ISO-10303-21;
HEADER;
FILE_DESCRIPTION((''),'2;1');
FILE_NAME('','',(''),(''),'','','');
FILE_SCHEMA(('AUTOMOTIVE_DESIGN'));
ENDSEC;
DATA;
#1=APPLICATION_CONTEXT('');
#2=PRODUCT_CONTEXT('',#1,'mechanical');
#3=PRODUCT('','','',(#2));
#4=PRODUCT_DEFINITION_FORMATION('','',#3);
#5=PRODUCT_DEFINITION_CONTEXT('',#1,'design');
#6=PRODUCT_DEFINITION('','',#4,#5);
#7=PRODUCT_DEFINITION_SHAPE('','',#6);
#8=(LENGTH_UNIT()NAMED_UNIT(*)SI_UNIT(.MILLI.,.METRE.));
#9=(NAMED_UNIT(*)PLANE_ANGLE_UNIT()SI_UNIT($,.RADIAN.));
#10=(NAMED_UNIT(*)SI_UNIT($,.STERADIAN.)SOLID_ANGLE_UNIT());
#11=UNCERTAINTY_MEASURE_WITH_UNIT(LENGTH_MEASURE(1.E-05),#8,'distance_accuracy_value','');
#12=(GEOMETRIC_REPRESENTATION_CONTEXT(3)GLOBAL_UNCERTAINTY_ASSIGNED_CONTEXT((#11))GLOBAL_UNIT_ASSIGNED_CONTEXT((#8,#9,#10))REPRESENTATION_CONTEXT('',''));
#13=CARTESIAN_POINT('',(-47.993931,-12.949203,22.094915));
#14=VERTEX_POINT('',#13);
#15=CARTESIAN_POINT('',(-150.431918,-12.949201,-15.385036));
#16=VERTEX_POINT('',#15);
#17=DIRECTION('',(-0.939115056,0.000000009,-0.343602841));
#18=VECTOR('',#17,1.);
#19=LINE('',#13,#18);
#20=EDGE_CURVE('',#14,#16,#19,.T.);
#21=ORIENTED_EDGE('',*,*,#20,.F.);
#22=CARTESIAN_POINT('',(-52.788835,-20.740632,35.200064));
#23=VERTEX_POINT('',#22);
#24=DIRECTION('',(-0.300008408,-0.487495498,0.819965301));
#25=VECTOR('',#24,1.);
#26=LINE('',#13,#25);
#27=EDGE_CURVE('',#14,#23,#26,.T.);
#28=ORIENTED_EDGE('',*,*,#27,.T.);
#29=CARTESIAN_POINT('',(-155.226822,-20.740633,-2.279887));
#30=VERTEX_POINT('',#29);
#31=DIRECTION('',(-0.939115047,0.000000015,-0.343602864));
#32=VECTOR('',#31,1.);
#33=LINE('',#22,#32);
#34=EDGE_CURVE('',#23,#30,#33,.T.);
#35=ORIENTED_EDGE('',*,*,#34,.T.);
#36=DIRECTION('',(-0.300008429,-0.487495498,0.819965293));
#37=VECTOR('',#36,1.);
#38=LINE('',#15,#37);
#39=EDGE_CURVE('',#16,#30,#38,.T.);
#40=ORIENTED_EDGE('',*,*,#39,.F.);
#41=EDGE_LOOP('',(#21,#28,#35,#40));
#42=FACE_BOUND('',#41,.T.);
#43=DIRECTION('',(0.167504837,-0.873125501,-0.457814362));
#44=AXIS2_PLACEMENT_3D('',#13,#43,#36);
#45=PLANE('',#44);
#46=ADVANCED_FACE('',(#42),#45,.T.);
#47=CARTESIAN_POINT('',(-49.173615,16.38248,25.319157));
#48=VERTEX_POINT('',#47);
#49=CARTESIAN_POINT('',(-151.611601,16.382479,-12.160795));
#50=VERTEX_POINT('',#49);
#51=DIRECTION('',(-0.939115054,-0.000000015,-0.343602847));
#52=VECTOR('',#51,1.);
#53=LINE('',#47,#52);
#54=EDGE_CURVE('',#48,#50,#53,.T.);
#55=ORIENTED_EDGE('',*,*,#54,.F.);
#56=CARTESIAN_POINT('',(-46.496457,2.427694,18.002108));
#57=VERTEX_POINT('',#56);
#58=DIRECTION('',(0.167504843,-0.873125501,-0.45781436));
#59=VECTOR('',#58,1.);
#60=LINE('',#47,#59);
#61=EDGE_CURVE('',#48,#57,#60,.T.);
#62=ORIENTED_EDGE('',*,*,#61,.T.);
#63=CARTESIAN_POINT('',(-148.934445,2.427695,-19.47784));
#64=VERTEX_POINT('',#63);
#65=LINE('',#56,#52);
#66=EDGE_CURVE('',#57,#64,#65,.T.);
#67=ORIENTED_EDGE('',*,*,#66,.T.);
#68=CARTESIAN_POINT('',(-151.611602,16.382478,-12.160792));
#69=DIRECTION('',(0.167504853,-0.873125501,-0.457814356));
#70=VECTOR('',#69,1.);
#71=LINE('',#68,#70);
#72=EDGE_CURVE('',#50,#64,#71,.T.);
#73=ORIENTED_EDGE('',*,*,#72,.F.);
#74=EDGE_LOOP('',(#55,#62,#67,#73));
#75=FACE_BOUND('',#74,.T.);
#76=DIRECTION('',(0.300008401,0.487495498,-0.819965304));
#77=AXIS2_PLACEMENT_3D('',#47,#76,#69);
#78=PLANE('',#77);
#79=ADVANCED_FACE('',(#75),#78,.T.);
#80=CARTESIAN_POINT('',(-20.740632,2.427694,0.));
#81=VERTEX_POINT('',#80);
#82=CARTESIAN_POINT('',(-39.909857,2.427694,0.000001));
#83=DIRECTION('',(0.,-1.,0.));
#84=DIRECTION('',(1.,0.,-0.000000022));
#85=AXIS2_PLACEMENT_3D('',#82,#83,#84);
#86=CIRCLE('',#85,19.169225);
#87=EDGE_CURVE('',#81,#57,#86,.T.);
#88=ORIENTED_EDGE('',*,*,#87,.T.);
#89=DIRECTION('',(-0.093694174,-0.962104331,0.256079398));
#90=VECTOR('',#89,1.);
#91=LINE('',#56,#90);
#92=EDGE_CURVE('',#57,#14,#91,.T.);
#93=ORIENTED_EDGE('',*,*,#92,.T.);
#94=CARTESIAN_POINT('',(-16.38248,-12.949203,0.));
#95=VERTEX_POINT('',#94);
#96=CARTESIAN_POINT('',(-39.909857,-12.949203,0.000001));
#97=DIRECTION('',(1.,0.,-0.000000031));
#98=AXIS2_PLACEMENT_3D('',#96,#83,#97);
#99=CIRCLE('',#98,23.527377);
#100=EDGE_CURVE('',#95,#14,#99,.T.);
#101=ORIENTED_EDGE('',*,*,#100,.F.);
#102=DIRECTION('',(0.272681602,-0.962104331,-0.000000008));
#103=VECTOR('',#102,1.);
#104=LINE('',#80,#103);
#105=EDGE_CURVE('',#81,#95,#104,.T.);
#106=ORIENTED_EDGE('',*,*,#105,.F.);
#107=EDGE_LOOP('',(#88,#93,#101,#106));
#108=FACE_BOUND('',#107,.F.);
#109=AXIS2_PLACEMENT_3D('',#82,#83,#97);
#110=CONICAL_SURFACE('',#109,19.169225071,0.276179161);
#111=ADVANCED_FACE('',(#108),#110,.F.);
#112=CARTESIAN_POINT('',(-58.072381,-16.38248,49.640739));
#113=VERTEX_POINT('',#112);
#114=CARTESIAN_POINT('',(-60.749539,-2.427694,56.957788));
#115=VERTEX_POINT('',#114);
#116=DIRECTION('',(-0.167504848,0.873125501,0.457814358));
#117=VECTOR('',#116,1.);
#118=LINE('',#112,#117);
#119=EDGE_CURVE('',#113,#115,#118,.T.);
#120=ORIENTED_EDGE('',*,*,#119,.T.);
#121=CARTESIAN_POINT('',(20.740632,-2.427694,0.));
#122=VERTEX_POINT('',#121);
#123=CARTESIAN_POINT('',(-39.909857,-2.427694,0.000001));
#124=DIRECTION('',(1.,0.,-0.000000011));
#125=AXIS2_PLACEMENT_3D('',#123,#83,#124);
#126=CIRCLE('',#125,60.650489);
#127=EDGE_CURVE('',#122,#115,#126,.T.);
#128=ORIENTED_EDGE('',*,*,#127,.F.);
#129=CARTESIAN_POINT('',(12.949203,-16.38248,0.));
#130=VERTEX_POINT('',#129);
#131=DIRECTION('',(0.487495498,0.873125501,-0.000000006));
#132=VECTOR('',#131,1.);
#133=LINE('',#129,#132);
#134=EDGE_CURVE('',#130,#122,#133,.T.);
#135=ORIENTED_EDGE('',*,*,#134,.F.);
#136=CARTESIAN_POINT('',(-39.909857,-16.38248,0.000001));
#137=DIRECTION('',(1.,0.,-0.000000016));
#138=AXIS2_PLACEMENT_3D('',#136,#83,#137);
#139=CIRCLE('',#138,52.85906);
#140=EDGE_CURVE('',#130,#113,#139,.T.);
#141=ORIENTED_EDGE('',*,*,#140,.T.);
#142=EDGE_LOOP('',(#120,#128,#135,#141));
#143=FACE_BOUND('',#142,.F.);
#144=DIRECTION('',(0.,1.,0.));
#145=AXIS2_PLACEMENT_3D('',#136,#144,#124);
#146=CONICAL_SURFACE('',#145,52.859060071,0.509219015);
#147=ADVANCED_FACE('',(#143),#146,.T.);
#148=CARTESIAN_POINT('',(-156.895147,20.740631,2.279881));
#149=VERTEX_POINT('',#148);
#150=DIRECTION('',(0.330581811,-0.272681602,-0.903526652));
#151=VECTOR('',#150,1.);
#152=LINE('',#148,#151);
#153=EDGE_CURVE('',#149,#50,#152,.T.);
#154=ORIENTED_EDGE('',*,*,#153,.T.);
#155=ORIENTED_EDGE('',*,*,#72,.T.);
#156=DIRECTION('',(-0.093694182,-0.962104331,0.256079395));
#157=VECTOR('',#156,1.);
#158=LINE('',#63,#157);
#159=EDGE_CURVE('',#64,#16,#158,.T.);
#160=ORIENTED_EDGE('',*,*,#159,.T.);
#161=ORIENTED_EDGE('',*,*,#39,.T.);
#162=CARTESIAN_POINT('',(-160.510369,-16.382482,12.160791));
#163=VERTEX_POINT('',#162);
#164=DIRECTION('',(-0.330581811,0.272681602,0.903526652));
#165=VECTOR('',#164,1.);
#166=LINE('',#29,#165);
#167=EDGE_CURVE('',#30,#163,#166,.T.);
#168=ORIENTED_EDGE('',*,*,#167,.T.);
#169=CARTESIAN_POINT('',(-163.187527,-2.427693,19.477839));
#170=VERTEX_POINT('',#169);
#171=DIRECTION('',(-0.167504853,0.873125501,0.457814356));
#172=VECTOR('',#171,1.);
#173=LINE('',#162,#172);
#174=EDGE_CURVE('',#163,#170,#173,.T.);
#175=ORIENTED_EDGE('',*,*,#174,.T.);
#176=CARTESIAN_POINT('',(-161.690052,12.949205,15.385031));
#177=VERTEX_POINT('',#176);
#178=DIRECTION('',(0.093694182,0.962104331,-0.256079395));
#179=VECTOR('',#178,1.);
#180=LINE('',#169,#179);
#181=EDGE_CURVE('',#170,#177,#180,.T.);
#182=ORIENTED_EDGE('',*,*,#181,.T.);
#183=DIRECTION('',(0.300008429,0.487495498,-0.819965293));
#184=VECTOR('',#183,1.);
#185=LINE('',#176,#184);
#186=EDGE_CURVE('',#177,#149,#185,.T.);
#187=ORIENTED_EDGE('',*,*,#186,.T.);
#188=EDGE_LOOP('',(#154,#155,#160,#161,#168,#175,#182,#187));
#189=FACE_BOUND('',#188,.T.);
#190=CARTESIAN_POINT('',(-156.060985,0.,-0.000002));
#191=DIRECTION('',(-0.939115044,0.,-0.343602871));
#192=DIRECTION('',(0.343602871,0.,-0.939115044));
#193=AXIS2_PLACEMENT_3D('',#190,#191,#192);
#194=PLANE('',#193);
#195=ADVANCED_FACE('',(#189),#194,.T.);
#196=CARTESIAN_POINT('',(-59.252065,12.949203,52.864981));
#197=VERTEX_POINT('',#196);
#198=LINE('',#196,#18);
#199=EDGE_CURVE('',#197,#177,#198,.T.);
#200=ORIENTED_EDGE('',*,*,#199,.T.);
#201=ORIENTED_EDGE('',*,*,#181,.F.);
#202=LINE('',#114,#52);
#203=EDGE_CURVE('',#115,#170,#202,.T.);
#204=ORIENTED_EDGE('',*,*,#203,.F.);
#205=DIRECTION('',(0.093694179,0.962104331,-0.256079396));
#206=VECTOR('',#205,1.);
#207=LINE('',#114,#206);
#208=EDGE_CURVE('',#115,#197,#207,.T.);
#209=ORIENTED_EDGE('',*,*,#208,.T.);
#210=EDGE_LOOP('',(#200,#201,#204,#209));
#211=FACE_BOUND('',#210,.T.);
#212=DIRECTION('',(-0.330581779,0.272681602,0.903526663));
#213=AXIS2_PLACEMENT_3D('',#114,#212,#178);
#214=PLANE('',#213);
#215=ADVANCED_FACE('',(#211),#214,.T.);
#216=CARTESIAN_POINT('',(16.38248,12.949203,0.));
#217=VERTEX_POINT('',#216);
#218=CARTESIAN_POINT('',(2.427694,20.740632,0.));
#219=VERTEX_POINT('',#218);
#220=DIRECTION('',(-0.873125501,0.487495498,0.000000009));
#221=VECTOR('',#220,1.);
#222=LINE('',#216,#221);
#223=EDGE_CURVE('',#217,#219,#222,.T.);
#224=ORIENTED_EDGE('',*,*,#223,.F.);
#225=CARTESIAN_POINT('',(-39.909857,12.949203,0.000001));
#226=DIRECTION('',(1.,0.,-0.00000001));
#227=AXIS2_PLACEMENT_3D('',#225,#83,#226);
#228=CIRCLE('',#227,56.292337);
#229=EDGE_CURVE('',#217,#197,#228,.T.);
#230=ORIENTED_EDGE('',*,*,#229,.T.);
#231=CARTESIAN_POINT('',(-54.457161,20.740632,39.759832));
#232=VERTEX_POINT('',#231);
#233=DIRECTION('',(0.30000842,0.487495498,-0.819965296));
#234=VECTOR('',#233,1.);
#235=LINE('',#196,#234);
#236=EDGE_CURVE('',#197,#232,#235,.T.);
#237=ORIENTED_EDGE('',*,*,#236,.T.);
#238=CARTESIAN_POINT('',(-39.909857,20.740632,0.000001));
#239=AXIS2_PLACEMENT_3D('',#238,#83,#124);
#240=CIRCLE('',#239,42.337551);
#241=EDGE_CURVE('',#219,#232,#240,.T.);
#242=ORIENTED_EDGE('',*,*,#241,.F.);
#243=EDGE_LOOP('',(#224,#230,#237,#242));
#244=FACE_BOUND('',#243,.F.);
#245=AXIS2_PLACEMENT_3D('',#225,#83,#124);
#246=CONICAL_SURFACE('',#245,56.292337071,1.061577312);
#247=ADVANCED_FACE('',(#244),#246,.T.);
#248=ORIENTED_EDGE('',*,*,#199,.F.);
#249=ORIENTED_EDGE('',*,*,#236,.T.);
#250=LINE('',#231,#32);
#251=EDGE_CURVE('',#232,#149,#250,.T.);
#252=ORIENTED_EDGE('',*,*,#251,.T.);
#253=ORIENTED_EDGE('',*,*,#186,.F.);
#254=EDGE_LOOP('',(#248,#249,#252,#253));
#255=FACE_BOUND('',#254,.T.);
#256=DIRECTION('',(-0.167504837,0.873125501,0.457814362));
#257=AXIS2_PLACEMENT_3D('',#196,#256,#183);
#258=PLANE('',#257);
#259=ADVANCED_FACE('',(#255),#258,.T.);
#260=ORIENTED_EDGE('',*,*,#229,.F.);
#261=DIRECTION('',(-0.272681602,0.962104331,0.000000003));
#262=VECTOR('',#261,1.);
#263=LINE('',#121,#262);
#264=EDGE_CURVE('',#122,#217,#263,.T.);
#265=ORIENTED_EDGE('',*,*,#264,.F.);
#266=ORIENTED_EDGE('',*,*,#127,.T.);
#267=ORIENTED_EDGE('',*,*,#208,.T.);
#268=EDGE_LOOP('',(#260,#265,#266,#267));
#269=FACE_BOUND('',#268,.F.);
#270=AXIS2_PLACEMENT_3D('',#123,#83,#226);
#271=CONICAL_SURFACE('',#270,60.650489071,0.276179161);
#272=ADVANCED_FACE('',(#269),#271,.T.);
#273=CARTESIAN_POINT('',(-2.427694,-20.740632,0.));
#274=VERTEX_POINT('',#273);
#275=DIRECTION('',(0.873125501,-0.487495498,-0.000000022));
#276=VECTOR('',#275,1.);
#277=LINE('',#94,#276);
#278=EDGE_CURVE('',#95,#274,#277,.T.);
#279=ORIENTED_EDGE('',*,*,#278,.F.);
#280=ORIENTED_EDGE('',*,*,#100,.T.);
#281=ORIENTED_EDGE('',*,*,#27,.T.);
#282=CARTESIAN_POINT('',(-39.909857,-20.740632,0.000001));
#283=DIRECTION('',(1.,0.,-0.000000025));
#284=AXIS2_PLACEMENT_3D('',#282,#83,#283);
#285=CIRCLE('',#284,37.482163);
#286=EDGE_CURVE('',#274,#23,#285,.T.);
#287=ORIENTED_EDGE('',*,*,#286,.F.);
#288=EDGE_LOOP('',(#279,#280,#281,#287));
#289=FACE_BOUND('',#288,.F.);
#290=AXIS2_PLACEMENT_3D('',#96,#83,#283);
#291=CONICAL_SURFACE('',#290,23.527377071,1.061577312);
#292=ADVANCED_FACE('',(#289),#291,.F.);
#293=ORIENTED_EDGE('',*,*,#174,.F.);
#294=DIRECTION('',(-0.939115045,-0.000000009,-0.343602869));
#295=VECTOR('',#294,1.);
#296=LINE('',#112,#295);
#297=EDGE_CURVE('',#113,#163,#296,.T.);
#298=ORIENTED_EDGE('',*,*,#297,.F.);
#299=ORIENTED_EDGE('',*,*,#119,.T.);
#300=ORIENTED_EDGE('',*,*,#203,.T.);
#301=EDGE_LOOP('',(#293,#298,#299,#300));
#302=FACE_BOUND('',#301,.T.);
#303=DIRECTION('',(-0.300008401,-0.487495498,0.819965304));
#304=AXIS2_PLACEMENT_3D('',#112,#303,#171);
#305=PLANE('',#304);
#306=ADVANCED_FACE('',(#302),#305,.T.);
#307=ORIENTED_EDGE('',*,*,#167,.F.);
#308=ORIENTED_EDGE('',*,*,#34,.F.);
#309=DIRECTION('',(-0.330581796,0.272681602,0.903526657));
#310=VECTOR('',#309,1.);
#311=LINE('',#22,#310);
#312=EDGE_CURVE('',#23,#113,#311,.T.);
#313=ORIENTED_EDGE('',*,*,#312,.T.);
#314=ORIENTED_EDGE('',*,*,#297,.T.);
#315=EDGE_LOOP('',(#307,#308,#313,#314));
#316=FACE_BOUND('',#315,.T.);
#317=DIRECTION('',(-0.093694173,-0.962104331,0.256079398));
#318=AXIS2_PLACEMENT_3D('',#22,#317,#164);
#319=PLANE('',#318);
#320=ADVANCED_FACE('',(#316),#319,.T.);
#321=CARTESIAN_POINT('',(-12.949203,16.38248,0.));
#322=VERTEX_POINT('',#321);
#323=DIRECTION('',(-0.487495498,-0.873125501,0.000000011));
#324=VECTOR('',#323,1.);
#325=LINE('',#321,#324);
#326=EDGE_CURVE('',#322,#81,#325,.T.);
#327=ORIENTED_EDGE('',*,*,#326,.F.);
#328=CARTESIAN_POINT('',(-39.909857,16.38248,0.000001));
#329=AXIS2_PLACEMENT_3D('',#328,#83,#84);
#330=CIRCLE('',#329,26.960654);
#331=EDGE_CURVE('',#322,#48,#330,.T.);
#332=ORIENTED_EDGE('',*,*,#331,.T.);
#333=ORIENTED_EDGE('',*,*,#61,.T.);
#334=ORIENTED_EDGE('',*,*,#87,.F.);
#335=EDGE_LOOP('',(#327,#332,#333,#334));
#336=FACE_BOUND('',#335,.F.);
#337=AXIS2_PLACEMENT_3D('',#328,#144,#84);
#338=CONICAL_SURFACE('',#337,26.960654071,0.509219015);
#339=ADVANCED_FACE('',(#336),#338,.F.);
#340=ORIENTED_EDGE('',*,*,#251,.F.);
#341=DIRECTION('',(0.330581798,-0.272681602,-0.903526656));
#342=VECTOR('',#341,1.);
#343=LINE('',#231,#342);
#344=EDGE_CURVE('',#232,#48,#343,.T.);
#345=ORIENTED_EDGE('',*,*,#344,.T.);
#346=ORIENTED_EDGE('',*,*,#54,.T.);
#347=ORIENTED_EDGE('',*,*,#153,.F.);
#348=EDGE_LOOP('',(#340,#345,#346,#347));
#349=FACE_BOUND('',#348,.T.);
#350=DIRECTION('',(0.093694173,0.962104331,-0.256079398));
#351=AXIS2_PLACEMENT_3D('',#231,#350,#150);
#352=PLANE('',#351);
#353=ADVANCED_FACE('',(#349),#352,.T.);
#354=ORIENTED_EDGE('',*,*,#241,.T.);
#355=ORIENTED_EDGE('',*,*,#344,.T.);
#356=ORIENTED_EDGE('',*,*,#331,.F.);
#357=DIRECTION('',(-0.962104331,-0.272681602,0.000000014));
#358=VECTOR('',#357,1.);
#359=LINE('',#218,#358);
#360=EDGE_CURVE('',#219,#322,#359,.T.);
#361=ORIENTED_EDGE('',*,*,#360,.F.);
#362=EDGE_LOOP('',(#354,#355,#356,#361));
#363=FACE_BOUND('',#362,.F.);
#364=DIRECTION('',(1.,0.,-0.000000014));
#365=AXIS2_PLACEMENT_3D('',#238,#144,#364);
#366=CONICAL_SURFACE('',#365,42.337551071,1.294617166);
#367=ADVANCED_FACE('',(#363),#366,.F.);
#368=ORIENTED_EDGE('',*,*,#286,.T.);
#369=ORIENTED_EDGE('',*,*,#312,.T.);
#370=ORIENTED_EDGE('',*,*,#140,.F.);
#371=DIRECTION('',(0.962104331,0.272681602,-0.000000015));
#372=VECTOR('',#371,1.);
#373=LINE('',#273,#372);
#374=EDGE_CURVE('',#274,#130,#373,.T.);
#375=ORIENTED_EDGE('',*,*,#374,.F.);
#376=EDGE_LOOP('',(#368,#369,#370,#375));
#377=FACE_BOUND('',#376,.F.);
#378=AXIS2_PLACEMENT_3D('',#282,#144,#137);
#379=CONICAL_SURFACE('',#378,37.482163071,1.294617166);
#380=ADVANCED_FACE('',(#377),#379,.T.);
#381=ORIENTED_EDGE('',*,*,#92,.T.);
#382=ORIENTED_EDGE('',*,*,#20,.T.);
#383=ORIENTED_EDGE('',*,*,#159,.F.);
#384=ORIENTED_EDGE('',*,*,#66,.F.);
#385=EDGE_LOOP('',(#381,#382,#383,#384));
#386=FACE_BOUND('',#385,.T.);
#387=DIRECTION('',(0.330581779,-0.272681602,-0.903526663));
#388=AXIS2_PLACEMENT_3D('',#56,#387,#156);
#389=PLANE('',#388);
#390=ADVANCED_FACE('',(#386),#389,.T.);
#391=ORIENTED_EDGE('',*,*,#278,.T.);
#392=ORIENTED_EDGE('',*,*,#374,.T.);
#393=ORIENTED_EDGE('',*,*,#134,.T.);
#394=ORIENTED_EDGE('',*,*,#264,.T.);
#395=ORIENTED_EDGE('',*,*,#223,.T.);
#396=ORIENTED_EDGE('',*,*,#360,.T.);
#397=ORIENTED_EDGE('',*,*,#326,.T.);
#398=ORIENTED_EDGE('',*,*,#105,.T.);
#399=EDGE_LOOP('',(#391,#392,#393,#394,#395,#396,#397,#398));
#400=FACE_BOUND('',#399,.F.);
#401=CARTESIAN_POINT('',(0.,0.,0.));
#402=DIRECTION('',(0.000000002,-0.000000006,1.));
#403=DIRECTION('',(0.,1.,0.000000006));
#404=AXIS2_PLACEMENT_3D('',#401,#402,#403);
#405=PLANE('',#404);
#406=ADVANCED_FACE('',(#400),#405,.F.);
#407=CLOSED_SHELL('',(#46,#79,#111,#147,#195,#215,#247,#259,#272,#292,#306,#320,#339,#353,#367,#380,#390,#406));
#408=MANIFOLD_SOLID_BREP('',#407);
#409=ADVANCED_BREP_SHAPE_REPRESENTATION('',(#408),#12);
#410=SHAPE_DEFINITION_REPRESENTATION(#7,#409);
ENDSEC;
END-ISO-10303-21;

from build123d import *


with BuildPart() as f2:
    # F2: sweep along a path in F1
    with BuildLine(Plane.XZ) as f2_path:
        ThreePointArc((0, 0), (-17.046052, 32.711514), (-53.622998, 37.479948))
        Line((-53.622998, 37.479948), (-156.060986, 0))
    # F0 (on Top) → F2 (sweep)
    with BuildSketch(Plane.XY):
        Polygon((-12.949203, 16.38248), (-20.740632, 2.427694), (-16.38248, -12.949203), (-2.427694, -20.740632), (12.949203, -16.38248), (20.740632, -2.427694), (16.38248, 12.949203), (2.427694, 20.740632), align=None)
    sweep(path=f2_path.line)


solid = f2.part
